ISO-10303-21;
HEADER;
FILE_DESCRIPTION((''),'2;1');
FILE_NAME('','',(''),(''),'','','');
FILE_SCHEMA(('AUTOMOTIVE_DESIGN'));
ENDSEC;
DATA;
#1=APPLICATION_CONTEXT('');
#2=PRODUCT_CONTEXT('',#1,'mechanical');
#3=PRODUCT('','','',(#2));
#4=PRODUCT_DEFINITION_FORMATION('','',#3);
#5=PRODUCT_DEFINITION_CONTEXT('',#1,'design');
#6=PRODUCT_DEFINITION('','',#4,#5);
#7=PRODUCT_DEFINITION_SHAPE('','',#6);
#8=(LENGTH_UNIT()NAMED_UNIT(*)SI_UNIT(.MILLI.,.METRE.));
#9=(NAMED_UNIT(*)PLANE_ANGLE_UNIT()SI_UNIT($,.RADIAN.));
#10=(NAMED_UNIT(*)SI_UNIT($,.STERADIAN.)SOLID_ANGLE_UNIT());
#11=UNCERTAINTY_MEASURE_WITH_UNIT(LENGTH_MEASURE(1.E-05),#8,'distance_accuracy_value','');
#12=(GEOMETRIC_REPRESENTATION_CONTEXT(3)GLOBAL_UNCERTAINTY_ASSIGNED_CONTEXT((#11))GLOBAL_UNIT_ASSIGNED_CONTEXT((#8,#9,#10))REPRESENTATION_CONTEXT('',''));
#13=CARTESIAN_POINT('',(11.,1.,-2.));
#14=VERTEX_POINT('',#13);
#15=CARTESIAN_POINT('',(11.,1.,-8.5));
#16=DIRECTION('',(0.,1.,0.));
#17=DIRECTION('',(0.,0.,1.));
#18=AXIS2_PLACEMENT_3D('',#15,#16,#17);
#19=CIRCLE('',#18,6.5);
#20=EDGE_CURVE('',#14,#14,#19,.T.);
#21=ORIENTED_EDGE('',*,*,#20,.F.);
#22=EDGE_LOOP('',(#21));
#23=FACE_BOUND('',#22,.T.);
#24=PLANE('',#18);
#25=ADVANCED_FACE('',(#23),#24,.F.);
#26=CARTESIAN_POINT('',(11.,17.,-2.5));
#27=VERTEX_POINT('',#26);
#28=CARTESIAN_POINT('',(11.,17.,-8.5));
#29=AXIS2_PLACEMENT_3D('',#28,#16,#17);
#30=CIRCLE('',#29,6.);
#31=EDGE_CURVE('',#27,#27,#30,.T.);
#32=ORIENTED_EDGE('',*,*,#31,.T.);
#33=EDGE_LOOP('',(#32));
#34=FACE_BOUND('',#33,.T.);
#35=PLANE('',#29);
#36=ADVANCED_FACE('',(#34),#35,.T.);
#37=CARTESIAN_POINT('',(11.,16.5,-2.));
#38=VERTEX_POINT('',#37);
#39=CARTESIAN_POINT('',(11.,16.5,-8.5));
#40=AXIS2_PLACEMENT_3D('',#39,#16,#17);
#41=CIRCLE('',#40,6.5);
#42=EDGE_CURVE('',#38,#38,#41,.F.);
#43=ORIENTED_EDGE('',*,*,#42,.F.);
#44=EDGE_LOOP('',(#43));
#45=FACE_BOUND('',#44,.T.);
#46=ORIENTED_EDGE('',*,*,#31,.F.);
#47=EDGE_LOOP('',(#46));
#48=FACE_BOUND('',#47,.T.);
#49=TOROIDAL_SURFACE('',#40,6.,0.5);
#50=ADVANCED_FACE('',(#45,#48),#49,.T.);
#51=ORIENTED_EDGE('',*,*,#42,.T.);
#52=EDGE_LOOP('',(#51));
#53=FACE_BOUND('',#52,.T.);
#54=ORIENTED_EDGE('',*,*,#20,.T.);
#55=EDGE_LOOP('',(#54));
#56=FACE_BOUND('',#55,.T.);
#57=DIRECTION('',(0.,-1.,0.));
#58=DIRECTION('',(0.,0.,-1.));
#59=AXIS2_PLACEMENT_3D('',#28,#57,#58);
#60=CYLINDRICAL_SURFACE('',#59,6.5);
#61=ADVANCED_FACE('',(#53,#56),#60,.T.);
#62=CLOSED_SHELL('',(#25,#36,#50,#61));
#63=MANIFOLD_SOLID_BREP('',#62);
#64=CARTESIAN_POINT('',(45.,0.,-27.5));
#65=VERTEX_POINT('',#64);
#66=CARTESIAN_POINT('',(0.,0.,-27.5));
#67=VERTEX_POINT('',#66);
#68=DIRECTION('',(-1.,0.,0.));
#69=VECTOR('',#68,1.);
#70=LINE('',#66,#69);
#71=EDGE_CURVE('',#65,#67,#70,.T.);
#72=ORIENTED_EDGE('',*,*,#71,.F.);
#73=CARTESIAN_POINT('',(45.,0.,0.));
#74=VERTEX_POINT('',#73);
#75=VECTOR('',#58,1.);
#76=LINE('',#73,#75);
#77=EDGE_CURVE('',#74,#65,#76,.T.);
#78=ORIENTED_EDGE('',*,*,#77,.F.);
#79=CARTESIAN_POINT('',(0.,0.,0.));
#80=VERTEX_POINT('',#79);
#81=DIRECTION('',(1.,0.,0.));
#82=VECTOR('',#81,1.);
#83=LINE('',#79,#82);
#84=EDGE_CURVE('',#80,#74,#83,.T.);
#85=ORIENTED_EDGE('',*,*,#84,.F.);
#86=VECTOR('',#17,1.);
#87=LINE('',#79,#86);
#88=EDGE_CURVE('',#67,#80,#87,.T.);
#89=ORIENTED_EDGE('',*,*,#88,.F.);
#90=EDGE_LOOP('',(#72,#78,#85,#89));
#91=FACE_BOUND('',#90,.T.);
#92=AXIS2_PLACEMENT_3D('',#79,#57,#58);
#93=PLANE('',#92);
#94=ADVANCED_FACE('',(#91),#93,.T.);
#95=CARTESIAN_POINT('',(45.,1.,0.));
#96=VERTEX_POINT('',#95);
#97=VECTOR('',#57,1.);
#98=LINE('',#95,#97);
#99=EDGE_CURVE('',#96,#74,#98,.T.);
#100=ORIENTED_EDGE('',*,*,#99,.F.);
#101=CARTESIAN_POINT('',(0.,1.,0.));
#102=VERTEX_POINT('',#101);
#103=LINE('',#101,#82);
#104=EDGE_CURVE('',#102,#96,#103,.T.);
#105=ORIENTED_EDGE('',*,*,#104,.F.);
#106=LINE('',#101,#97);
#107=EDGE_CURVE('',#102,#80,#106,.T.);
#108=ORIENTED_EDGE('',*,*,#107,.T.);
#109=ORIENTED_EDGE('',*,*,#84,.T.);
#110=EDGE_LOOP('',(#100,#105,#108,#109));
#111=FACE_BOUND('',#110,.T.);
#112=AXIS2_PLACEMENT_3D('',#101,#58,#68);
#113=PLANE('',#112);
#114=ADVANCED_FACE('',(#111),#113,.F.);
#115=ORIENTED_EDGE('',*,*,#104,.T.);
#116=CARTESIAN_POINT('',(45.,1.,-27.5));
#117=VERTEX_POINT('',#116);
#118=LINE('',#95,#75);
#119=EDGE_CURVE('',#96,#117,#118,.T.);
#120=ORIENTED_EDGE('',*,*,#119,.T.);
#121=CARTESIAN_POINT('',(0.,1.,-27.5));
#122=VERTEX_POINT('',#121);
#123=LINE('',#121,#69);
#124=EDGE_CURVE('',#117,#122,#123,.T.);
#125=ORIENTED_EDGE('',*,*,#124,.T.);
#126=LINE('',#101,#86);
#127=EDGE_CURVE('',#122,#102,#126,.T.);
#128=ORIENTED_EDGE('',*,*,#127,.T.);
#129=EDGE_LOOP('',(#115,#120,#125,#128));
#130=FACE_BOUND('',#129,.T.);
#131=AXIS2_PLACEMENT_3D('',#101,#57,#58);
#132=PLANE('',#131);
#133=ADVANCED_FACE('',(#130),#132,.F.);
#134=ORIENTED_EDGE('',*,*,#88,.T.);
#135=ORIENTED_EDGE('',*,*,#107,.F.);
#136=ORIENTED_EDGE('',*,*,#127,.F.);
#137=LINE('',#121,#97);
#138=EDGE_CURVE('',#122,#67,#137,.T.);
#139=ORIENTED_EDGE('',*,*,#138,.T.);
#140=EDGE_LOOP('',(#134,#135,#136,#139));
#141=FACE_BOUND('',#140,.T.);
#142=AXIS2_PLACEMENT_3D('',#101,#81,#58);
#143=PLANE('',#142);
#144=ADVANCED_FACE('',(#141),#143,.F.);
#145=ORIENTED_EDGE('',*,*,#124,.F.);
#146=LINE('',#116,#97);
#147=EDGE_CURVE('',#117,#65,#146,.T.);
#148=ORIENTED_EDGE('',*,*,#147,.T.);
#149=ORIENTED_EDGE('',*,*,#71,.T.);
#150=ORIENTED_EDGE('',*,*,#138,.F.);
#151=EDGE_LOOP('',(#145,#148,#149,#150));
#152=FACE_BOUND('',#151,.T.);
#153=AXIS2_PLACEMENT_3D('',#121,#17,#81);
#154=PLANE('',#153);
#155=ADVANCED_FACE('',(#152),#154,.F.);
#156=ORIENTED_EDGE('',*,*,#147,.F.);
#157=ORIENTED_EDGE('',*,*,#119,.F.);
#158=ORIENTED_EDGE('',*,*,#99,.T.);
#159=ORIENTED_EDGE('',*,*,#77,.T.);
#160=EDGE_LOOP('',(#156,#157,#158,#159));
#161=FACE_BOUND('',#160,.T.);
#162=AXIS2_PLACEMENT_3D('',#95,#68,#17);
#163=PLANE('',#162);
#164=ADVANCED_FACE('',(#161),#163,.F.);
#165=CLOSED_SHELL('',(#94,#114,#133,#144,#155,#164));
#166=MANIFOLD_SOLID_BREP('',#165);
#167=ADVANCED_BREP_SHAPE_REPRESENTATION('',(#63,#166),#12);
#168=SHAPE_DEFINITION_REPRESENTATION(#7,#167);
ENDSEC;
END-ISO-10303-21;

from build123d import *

# Parameters (mm, degrees)
SKETCH_1_W      = 45
SKETCH_1_H      = 27.5
EXTRUDE_1_DEPTH = 1
SKETCH_2_R      = 6.5
EXTRUDE_2_DEPTH = 16
FILLET_1_R      = 0.5


with BuildPart() as part:
    # Эскиз1 → Бобышка-Вытянуть1 (new body)
    with BuildSketch(Plane(origin=(0, 0, 0), x_dir=(1, 0, 0), z_dir=(0, 1, 0))):
        with Locations((22.5, 13.75)):
            Rectangle(SKETCH_1_W, SKETCH_1_H)
    extrude(amount=EXTRUDE_1_DEPTH)


with BuildPart() as body_2:
    # Эскиз2 → Бобышка-Вытянуть2 (new body)
    with BuildSketch(Plane(origin=(0, 1, 0), x_dir=(1, 0, 0), z_dir=(0, 1, 0))):
        with Locations((11, 8.5)):
            Circle(SKETCH_2_R)
    extrude(amount=EXTRUDE_2_DEPTH)

    # Скругление1
    fillet_1_edges = [body_2.edges().sort_by_distance(p)[0] for p in [
        (4.5, 17, -8.5),
    ]]
    fillet(fillet_1_edges, radius=FILLET_1_R)


solid = Compound([part.part, body_2.part])
